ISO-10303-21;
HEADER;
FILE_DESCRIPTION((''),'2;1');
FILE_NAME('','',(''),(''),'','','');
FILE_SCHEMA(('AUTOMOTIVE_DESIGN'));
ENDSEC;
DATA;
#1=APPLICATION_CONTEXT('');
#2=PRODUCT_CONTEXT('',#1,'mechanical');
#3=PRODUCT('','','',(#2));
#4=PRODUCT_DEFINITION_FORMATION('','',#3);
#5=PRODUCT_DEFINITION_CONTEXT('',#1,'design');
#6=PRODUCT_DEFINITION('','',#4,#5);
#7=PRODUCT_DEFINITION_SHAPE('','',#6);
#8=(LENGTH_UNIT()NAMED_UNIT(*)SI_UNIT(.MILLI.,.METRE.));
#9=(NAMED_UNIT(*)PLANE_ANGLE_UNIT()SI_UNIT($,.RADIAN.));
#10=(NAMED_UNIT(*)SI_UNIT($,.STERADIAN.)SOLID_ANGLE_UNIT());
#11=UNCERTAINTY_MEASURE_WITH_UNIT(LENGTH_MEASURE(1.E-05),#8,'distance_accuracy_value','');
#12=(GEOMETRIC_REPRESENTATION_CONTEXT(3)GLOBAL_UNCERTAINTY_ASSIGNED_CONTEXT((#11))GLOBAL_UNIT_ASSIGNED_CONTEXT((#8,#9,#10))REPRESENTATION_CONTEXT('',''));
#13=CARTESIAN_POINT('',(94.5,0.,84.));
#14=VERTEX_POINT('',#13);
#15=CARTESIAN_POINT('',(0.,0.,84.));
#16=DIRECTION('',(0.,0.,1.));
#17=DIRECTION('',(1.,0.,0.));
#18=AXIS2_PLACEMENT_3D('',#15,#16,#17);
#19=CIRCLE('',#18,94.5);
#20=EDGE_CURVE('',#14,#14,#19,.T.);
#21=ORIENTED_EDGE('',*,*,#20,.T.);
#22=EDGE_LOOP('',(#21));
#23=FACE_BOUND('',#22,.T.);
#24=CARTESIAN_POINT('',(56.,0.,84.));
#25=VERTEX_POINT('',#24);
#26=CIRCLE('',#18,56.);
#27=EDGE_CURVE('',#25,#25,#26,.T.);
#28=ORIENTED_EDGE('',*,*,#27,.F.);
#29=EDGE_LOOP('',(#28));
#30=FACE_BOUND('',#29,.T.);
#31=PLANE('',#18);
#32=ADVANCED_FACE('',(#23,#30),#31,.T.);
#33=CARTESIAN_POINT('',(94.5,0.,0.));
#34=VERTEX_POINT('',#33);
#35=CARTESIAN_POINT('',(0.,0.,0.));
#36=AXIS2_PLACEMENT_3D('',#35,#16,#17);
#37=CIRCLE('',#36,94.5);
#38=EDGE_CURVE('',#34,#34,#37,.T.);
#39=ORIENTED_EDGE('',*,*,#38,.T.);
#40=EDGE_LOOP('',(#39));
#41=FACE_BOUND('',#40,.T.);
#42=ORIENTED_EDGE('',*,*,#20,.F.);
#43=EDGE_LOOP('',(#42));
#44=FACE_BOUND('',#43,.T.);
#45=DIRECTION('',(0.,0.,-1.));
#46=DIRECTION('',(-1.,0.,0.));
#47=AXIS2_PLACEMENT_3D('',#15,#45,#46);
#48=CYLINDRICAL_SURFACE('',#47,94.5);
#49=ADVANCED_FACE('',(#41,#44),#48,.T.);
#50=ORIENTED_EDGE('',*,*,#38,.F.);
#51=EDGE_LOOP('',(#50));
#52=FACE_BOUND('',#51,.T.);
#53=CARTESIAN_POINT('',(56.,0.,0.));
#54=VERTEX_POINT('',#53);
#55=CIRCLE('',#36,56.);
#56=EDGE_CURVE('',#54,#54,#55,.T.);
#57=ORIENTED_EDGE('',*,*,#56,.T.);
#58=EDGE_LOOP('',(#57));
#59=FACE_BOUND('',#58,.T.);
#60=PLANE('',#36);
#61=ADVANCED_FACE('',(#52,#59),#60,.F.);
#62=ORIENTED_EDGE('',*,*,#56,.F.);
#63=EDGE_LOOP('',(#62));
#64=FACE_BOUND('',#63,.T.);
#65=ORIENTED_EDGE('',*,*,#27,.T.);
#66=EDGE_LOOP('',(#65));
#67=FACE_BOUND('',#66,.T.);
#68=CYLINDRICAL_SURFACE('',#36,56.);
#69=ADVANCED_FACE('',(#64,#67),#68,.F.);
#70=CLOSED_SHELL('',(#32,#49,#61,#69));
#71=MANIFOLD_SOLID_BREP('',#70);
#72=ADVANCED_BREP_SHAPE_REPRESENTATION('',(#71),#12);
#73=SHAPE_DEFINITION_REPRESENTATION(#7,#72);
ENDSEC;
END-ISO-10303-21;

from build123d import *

# Parameters (mm, degrees)
CROQUIS1_R              = 94.5
SALIENTE_EXTRUIR1_DEPTH = 84
CROQUIS2_R              = 56
CORTAR_EXTRUIR1_DEPTH   = 84


with BuildPart() as part:
    # Croquis1 → Saliente-Extruir1 (new body)
    with BuildSketch(Plane.XY):
        Circle(CROQUIS1_R)
    extrude(amount=SALIENTE_EXTRUIR1_DEPTH)

    # Croquis2 → Cortar-Extruir1 (cut)
    with BuildSketch(Plane.XY.offset(84)):
        Circle(CROQUIS2_R)
    extrude(amount=-CORTAR_EXTRUIR1_DEPTH, mode=Mode.SUBTRACT)


solid = part.part
